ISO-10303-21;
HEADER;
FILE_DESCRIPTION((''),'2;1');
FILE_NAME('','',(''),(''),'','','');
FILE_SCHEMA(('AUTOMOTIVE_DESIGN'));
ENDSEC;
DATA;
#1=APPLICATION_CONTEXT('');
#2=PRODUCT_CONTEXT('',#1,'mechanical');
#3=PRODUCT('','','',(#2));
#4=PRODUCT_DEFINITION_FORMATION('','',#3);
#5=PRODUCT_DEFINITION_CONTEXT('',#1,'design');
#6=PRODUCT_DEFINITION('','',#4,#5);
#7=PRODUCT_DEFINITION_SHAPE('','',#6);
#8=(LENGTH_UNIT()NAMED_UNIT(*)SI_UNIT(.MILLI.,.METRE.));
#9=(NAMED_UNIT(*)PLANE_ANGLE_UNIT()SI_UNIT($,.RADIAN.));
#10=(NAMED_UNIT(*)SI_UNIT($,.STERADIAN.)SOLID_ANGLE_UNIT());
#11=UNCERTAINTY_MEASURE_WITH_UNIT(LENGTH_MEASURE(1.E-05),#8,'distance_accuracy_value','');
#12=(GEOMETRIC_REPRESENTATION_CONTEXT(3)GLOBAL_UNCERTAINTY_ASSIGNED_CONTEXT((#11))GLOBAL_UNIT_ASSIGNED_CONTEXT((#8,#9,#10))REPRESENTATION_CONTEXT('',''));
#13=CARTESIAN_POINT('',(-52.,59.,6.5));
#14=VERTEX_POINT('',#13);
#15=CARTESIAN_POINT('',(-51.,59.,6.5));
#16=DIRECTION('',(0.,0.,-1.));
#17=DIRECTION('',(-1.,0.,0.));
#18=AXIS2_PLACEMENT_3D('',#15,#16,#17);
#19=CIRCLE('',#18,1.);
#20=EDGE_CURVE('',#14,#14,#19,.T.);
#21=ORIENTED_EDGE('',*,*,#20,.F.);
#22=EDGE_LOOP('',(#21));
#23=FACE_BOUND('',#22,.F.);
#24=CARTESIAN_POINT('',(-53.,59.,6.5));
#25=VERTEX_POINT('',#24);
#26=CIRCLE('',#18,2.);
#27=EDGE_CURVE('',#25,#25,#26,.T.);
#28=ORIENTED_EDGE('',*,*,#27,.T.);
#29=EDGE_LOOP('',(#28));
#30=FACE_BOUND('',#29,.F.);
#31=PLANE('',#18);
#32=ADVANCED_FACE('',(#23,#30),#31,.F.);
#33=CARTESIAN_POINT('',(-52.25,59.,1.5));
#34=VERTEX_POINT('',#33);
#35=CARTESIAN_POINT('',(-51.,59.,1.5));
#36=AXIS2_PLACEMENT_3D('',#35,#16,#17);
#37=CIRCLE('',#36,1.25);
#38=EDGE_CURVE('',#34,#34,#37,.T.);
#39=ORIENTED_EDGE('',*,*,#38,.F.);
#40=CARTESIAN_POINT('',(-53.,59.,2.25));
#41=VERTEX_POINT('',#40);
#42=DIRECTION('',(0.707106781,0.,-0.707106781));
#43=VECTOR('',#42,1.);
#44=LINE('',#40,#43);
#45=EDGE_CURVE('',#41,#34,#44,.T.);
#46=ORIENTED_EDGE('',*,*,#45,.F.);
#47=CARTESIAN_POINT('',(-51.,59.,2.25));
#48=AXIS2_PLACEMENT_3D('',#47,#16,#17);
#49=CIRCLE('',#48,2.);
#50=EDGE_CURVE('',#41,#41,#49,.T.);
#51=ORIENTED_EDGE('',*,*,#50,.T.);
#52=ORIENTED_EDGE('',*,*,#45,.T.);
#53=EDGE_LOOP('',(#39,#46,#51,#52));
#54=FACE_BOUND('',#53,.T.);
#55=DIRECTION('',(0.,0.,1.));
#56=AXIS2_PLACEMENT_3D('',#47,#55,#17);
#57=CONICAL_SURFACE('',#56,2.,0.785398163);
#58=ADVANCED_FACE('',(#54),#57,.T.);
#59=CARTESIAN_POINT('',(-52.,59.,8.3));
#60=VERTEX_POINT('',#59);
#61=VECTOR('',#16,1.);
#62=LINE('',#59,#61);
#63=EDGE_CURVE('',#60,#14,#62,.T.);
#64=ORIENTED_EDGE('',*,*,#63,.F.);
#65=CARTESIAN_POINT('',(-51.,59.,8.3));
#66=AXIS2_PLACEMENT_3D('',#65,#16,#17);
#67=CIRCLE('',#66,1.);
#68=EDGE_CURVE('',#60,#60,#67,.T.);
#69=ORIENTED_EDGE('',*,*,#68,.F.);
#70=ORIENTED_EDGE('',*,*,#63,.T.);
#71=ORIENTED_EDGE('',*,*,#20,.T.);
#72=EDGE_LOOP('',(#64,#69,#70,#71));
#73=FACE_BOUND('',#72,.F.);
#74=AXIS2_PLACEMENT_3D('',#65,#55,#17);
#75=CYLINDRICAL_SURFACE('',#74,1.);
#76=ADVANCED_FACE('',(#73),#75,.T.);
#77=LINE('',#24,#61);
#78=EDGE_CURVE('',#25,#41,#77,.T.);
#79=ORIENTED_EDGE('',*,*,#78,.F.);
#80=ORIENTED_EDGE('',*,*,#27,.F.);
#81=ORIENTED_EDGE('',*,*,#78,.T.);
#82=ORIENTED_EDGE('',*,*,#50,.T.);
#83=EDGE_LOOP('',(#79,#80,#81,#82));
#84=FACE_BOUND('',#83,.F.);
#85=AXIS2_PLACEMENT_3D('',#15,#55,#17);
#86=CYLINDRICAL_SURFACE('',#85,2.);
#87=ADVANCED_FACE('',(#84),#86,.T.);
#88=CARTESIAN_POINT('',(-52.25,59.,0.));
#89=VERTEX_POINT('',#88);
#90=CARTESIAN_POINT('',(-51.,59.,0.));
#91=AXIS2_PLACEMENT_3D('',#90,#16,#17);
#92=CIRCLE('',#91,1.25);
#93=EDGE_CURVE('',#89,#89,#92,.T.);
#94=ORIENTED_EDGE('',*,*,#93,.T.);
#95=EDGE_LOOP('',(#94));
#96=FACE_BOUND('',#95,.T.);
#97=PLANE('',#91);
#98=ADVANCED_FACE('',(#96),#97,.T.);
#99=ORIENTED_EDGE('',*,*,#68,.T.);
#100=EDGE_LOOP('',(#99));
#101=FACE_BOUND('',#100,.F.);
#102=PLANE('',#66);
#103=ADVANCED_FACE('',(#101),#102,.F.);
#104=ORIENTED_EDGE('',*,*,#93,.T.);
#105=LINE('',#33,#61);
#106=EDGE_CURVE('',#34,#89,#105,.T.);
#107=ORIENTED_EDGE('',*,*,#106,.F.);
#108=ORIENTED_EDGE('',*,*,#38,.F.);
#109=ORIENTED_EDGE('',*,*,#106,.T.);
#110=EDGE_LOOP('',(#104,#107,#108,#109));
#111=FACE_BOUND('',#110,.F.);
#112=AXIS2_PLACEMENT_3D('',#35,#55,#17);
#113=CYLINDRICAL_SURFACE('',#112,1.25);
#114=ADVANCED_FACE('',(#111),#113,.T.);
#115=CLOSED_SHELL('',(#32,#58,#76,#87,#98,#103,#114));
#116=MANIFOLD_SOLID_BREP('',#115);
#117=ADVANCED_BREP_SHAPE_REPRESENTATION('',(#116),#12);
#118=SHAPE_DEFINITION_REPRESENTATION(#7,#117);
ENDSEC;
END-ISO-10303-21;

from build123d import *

# Parameters (mm, degrees)
CYLINDER002_R             = 1
CYLINDER002_DEPTH         = 1.8
CYLINDER_R                = 2
CYLINDER_DEPTH            = 5
CHAMFER_SIZE              = 0.75
CYLINDER001_R             = 1.25
CYLINDER001_DEPTH         = 1.5
FUSION001_PLACEMENT_ANGLE = 180


with BuildPart() as cylinder002:
    # Cylinder002 → Cylinder002 (new body)
    with BuildSketch(Plane.XY.offset(-1.8)):
        Circle(CYLINDER002_R)
    extrude(amount=CYLINDER002_DEPTH)


with BuildPart() as chamfer_body:
    # Cylinder → Cylinder (new body)
    with BuildSketch(Plane.XY):
        Circle(CYLINDER_R)
    extrude(amount=CYLINDER_DEPTH)

    # Chamfer
    chamfer_edges = [chamfer_body.edges().sort_by_distance(p)[0] for p in [
        (-2, 0, 5),
    ]]
    chamfer(chamfer_edges, length=CHAMFER_SIZE)


with BuildPart() as spacer_recto:
    # Cylinder001 → Cylinder001 (new body)
    with BuildSketch(Plane.XY.offset(5)):
        Circle(CYLINDER001_R)
    extrude(amount=CYLINDER001_DEPTH)

    # Fusion001: union Cylinder002, Chamfer body
    add(cylinder002.part)
    add(chamfer_body.part)


with BuildPart() as spacer_recto_1:
    # Fusion001 placement: moved
    add(spacer_recto.part.moved(Location((-51, 59, 6.5))).rotate(Axis((-51, 59, 6.5), (0, 1, 0)), FUSION001_PLACEMENT_ANGLE))


solid = spacer_recto_1.part
